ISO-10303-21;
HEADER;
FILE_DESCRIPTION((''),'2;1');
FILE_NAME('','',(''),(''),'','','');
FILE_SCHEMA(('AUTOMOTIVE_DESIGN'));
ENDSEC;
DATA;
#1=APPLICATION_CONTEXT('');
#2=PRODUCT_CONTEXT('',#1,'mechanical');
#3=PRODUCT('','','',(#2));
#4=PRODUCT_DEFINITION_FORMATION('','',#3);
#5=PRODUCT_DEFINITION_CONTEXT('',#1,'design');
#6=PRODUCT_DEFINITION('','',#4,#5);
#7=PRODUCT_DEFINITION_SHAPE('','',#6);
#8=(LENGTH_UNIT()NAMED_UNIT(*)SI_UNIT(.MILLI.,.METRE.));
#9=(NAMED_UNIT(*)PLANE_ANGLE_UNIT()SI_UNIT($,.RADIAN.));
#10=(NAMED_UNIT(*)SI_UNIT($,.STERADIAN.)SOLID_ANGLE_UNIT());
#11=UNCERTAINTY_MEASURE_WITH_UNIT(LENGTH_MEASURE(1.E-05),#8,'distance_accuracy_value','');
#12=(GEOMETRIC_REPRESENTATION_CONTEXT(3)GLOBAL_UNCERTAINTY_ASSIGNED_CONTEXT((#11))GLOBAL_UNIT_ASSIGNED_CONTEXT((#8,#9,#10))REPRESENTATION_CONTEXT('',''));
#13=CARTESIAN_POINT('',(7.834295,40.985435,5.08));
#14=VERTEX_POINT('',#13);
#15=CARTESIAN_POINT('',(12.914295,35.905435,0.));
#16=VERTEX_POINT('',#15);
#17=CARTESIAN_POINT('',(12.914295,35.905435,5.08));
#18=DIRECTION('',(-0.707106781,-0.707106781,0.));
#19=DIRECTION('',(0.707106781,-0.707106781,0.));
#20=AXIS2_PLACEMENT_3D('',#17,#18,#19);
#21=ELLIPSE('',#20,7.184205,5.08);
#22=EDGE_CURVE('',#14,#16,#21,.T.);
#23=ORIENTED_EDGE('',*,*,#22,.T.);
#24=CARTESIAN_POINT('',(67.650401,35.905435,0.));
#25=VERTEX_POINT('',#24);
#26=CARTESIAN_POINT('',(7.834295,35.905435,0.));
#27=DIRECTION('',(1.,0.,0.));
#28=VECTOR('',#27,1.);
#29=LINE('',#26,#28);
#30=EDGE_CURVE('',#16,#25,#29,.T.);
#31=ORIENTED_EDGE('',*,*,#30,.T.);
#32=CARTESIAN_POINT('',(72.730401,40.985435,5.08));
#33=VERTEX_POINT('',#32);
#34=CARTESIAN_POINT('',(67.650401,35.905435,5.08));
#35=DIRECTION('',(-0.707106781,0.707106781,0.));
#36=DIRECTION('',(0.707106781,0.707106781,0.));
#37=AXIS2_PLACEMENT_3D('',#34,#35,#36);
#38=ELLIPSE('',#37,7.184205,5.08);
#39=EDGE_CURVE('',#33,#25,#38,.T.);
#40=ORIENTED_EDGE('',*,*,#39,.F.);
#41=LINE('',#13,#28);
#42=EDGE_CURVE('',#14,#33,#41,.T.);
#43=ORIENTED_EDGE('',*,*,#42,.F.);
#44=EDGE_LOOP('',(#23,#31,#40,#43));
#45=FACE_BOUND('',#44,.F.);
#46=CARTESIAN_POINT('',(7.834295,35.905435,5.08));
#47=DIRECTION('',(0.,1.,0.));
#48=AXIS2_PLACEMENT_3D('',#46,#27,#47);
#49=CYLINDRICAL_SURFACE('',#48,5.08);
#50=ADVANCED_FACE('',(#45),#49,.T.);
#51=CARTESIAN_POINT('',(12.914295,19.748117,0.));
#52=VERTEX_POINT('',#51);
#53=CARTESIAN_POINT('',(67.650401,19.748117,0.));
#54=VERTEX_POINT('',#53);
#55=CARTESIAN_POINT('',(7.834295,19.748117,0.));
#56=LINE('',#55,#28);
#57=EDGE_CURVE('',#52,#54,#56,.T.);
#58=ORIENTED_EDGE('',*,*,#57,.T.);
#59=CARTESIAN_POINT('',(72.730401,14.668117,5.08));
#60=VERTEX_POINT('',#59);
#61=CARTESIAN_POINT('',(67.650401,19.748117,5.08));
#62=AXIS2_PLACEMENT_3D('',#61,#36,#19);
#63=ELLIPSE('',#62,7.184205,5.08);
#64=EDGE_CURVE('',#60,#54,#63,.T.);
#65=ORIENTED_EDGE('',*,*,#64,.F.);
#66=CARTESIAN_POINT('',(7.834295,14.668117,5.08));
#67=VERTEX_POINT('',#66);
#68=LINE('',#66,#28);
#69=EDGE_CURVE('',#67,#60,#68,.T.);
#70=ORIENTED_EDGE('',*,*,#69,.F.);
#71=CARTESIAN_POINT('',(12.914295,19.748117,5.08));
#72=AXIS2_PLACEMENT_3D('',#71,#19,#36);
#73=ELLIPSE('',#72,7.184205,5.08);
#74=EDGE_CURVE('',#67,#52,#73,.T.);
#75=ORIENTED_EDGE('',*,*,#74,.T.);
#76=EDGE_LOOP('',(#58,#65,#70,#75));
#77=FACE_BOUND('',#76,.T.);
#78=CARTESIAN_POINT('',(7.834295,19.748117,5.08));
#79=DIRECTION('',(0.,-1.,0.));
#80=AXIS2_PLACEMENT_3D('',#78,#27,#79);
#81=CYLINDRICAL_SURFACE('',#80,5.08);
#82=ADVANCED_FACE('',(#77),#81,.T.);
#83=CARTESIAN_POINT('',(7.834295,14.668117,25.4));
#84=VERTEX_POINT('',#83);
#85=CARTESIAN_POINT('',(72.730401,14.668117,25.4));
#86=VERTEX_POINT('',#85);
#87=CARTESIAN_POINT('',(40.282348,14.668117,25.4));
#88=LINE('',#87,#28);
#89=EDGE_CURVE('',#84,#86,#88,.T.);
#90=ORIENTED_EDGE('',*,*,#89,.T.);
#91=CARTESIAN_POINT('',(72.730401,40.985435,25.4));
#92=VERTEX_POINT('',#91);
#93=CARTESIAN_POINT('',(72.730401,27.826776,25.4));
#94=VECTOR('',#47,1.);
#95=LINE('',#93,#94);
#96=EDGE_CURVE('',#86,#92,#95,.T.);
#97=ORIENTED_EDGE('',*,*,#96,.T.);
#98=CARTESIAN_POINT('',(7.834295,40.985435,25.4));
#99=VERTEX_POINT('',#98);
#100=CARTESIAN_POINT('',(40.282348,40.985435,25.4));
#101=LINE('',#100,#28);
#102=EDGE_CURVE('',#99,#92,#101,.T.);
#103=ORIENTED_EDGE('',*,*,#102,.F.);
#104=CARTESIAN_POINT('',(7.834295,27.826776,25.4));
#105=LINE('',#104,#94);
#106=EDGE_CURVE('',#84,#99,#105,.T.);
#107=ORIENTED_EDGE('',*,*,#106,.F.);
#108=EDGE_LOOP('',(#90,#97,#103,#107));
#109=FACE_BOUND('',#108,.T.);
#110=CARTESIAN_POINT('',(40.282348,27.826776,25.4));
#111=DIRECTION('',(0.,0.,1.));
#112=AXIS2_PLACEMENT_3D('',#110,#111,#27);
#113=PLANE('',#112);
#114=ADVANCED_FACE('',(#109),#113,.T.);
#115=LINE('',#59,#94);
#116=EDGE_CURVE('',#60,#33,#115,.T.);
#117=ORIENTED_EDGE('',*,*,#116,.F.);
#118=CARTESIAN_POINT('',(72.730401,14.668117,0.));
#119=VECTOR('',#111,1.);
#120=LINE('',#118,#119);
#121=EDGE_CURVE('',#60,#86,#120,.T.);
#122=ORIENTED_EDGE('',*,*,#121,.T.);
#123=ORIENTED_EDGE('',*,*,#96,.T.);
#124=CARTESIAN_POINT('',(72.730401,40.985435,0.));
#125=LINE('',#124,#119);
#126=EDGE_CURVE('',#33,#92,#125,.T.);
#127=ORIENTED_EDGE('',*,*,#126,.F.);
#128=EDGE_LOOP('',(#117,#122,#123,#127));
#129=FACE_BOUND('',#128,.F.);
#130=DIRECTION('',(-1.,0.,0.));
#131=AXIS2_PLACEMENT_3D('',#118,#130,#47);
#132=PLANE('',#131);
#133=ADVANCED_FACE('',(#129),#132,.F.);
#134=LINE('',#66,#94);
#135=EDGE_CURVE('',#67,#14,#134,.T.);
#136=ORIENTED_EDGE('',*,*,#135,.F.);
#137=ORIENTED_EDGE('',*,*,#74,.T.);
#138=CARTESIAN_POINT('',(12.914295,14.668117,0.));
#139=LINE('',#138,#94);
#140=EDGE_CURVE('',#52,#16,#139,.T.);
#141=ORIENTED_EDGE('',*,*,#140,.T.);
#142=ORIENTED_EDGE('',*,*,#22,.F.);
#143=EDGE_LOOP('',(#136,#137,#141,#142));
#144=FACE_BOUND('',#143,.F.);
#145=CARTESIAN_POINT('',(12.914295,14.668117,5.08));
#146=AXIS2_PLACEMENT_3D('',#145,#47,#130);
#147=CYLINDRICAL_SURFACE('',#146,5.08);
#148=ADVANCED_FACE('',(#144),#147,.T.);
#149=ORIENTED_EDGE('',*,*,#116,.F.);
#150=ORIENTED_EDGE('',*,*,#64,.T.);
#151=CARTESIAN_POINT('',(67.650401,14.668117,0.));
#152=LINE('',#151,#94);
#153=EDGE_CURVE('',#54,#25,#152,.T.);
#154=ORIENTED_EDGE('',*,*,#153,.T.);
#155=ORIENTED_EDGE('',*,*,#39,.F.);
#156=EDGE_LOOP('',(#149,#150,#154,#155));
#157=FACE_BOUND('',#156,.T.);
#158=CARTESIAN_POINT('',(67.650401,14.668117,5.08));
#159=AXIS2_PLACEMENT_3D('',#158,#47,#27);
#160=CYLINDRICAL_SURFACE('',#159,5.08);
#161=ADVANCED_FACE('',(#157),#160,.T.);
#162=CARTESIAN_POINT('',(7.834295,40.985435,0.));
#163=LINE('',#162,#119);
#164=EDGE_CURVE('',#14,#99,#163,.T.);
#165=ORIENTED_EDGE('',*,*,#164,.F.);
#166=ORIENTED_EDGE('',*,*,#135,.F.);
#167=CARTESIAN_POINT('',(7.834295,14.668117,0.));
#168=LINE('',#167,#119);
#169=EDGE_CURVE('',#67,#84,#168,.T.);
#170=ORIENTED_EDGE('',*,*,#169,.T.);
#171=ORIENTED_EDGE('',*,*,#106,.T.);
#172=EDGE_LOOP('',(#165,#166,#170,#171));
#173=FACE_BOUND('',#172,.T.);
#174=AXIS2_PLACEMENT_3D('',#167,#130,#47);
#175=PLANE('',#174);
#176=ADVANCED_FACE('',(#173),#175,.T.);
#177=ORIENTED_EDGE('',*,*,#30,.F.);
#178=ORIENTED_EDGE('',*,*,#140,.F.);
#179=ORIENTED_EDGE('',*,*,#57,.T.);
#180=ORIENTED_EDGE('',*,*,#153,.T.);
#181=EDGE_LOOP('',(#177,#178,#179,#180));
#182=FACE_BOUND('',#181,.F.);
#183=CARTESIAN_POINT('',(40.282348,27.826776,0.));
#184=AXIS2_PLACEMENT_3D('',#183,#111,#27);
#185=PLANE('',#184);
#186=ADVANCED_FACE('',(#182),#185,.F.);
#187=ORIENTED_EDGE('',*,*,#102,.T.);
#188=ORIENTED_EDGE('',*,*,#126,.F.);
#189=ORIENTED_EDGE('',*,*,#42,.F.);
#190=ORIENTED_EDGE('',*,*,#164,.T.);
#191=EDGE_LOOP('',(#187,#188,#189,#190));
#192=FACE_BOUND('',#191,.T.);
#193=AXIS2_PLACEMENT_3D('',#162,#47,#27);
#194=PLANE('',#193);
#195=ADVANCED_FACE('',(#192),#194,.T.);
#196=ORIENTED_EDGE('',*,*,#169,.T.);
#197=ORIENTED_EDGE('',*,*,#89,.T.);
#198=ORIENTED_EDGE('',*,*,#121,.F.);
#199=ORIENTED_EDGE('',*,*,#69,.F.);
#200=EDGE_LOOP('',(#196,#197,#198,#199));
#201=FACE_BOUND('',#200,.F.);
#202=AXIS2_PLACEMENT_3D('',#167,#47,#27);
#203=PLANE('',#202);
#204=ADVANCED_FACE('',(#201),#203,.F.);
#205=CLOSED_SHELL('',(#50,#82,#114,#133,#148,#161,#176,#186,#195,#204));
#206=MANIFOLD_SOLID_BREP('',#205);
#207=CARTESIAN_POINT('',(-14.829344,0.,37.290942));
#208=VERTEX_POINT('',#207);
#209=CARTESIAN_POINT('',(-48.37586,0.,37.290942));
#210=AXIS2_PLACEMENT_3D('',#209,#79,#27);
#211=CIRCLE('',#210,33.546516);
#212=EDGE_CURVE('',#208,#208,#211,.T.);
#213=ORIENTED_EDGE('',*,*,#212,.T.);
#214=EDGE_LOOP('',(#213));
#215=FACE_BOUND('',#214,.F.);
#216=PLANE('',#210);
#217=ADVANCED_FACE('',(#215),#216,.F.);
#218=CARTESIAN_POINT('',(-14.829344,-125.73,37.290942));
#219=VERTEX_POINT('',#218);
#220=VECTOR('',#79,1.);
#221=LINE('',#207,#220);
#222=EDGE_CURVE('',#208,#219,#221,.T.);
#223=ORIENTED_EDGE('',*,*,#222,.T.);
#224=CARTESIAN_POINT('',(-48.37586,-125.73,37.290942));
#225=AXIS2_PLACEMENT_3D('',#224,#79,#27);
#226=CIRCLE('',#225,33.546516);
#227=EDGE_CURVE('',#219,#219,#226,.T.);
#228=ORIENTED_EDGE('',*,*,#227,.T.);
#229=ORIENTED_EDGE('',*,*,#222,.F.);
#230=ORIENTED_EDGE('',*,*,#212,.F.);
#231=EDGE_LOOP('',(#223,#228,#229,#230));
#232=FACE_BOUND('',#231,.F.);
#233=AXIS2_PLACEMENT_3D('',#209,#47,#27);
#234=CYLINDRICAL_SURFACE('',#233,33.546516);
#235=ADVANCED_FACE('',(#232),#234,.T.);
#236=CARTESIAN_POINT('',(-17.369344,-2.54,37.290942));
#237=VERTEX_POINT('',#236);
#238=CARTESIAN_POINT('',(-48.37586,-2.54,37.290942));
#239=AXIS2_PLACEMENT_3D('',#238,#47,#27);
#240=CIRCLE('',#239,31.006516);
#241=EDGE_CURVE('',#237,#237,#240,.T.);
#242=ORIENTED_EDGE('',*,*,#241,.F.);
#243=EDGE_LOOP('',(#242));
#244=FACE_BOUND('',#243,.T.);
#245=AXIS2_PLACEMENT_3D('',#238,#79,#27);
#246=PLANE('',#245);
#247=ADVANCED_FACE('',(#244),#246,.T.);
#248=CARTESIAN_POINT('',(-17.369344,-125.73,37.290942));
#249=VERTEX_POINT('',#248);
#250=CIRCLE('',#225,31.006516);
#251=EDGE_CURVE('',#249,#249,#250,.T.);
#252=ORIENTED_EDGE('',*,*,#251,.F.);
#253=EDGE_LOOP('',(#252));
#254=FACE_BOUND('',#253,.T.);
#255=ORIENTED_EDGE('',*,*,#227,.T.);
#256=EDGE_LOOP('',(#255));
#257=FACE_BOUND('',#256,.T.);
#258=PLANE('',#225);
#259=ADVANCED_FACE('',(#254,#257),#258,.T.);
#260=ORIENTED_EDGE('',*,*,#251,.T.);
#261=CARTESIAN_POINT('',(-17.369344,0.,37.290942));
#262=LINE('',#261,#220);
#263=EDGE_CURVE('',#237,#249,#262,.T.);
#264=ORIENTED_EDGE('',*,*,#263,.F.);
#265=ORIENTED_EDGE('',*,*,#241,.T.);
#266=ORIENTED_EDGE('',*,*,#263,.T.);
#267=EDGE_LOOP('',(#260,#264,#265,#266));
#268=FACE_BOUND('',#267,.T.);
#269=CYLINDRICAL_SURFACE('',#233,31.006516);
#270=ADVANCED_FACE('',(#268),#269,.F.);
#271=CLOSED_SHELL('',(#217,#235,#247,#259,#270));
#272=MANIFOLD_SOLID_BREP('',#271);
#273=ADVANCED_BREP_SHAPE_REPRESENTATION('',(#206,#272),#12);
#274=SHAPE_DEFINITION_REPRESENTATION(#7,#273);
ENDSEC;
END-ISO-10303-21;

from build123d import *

# Parameters (mm, degrees)
F0_R     = 33.546516
F1_DEPTH = 125.73
F2_T     = -2.54
F3_W     = 64.896105
F3_H     = 26.317318
F4_DEPTH = 25.4
F5_R     = 5.08


with BuildPart() as f1:
    # F0 (on Front) → F1 (new body)
    with BuildSketch(Plane.XZ):
        with Locations((-48.37586, 37.290942)):
            Circle(F0_R)
    extrude(amount=F1_DEPTH)

    # F2
    f2_openings = [f1.faces().sort_by_distance(p)[0] for p in [
        (-48.37586, -125.73, 37.290942),
    ]]
    offset(amount=F2_T, openings=f2_openings)


with BuildPart() as f4:
    # F3 (on Top) → F4 (new body)
    with BuildSketch(Plane.XY):
        with Locations((40.282348, 27.826776)):
            Rectangle(F3_W, F3_H)
    extrude(amount=F4_DEPTH)

    # F5
    f5_edges = [f4.edges().sort_by_distance(p)[0] for p in [
        (40.282347, 40.985435, 0),
        (7.834295, 27.826776, 0),
        (40.282347, 14.668117, 0),
        (72.7304, 27.826776, 0),
    ]]
    fillet(f5_edges, radius=F5_R)


solid = Compound([f1.part, f4.part])
